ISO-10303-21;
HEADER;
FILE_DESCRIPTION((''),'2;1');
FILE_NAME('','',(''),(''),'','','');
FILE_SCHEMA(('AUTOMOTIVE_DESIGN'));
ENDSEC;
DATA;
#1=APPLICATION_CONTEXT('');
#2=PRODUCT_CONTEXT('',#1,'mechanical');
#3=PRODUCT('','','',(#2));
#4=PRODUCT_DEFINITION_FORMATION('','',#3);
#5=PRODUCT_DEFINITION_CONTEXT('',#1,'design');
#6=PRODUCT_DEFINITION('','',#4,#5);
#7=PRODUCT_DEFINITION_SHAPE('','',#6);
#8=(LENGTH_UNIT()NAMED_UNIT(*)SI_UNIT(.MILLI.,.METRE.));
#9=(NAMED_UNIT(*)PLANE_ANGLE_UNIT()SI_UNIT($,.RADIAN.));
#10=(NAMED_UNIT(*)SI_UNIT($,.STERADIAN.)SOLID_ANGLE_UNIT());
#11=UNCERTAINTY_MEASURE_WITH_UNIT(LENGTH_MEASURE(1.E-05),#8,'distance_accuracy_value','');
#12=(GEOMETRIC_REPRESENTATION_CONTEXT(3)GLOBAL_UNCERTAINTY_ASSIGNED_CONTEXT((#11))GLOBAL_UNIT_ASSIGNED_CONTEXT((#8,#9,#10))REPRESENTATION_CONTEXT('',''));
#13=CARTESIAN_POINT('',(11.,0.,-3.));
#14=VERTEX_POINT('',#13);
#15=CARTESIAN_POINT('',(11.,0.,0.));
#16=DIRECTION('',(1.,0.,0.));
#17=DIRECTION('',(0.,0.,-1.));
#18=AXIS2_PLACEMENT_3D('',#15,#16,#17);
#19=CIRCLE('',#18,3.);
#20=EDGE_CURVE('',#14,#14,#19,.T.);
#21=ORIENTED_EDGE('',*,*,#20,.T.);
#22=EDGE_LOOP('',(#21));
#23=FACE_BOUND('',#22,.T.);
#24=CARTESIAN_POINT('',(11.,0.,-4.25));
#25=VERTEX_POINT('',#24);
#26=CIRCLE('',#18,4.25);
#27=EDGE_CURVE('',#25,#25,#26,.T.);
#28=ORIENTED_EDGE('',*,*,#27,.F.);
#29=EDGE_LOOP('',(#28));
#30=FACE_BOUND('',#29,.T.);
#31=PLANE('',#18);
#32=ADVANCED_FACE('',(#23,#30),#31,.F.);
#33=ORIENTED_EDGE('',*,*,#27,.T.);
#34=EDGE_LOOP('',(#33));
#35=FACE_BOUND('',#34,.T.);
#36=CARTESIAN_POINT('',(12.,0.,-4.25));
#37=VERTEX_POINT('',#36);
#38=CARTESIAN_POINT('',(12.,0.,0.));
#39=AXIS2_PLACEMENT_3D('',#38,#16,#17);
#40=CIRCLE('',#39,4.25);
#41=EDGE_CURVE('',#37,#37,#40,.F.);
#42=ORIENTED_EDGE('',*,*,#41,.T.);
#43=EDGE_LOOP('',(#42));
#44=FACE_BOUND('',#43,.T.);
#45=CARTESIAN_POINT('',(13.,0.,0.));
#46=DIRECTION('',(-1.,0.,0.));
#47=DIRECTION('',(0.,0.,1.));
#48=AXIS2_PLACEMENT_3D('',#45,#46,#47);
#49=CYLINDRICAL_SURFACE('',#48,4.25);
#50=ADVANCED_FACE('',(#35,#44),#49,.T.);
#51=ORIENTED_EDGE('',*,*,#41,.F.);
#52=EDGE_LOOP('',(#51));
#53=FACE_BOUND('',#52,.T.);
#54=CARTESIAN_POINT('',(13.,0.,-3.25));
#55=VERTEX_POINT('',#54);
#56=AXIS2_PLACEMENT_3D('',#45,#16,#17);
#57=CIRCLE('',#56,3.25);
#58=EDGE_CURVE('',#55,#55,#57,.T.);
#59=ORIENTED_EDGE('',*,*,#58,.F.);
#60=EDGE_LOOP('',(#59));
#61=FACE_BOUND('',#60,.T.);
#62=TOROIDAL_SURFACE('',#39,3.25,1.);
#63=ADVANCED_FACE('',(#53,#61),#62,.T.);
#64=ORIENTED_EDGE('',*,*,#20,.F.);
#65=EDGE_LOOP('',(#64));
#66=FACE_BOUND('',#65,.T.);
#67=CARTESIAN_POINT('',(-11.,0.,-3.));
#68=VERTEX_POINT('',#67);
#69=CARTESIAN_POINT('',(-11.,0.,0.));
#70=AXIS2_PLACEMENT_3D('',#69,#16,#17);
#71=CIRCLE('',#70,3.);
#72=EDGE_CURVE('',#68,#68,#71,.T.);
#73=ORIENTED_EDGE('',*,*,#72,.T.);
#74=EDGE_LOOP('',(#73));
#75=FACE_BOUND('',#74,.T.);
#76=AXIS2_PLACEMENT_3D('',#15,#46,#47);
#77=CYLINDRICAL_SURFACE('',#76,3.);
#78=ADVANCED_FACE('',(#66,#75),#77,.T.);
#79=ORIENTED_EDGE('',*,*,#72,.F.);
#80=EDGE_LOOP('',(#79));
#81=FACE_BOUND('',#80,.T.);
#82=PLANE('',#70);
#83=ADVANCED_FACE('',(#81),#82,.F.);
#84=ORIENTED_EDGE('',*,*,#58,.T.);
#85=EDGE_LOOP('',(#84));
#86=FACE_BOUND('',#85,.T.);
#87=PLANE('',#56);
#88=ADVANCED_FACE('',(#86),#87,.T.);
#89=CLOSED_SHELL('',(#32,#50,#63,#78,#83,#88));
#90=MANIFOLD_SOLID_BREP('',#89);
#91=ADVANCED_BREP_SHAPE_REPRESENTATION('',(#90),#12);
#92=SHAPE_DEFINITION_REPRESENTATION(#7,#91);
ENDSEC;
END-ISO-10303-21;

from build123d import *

# Parameters (mm, degrees)
SKETCH2_R           = 3
BOSS_EXTRUDE1_DEPTH = 11
SKETCH3_R           = 4.25
BOSS_EXTRUDE2_DEPTH = 2
FILLET2_R           = 1


with BuildPart() as part:
    # Sketch2 → Boss-Extrude1 (new, symmetric)
    with BuildSketch(Plane(origin=(0, 0, 0), x_dir=(0, 0, -1), z_dir=(1, 0, 0))):
        Circle(SKETCH2_R)
    extrude(amount=BOSS_EXTRUDE1_DEPTH, both=True)

    # Sketch3 → Boss-Extrude2 (add)
    with BuildSketch(Plane(origin=(11, 0, 0), x_dir=(0, 0, -1), z_dir=(1, 0, 0))):
        Circle(SKETCH3_R)
    extrude(amount=BOSS_EXTRUDE2_DEPTH)

    # Fillet2
    fillet2_edges = [part.edges().sort_by_distance(p)[0] for p in [
        (13, 0, 4.25),
    ]]
    fillet(fillet2_edges, radius=FILLET2_R)


solid = part.part
